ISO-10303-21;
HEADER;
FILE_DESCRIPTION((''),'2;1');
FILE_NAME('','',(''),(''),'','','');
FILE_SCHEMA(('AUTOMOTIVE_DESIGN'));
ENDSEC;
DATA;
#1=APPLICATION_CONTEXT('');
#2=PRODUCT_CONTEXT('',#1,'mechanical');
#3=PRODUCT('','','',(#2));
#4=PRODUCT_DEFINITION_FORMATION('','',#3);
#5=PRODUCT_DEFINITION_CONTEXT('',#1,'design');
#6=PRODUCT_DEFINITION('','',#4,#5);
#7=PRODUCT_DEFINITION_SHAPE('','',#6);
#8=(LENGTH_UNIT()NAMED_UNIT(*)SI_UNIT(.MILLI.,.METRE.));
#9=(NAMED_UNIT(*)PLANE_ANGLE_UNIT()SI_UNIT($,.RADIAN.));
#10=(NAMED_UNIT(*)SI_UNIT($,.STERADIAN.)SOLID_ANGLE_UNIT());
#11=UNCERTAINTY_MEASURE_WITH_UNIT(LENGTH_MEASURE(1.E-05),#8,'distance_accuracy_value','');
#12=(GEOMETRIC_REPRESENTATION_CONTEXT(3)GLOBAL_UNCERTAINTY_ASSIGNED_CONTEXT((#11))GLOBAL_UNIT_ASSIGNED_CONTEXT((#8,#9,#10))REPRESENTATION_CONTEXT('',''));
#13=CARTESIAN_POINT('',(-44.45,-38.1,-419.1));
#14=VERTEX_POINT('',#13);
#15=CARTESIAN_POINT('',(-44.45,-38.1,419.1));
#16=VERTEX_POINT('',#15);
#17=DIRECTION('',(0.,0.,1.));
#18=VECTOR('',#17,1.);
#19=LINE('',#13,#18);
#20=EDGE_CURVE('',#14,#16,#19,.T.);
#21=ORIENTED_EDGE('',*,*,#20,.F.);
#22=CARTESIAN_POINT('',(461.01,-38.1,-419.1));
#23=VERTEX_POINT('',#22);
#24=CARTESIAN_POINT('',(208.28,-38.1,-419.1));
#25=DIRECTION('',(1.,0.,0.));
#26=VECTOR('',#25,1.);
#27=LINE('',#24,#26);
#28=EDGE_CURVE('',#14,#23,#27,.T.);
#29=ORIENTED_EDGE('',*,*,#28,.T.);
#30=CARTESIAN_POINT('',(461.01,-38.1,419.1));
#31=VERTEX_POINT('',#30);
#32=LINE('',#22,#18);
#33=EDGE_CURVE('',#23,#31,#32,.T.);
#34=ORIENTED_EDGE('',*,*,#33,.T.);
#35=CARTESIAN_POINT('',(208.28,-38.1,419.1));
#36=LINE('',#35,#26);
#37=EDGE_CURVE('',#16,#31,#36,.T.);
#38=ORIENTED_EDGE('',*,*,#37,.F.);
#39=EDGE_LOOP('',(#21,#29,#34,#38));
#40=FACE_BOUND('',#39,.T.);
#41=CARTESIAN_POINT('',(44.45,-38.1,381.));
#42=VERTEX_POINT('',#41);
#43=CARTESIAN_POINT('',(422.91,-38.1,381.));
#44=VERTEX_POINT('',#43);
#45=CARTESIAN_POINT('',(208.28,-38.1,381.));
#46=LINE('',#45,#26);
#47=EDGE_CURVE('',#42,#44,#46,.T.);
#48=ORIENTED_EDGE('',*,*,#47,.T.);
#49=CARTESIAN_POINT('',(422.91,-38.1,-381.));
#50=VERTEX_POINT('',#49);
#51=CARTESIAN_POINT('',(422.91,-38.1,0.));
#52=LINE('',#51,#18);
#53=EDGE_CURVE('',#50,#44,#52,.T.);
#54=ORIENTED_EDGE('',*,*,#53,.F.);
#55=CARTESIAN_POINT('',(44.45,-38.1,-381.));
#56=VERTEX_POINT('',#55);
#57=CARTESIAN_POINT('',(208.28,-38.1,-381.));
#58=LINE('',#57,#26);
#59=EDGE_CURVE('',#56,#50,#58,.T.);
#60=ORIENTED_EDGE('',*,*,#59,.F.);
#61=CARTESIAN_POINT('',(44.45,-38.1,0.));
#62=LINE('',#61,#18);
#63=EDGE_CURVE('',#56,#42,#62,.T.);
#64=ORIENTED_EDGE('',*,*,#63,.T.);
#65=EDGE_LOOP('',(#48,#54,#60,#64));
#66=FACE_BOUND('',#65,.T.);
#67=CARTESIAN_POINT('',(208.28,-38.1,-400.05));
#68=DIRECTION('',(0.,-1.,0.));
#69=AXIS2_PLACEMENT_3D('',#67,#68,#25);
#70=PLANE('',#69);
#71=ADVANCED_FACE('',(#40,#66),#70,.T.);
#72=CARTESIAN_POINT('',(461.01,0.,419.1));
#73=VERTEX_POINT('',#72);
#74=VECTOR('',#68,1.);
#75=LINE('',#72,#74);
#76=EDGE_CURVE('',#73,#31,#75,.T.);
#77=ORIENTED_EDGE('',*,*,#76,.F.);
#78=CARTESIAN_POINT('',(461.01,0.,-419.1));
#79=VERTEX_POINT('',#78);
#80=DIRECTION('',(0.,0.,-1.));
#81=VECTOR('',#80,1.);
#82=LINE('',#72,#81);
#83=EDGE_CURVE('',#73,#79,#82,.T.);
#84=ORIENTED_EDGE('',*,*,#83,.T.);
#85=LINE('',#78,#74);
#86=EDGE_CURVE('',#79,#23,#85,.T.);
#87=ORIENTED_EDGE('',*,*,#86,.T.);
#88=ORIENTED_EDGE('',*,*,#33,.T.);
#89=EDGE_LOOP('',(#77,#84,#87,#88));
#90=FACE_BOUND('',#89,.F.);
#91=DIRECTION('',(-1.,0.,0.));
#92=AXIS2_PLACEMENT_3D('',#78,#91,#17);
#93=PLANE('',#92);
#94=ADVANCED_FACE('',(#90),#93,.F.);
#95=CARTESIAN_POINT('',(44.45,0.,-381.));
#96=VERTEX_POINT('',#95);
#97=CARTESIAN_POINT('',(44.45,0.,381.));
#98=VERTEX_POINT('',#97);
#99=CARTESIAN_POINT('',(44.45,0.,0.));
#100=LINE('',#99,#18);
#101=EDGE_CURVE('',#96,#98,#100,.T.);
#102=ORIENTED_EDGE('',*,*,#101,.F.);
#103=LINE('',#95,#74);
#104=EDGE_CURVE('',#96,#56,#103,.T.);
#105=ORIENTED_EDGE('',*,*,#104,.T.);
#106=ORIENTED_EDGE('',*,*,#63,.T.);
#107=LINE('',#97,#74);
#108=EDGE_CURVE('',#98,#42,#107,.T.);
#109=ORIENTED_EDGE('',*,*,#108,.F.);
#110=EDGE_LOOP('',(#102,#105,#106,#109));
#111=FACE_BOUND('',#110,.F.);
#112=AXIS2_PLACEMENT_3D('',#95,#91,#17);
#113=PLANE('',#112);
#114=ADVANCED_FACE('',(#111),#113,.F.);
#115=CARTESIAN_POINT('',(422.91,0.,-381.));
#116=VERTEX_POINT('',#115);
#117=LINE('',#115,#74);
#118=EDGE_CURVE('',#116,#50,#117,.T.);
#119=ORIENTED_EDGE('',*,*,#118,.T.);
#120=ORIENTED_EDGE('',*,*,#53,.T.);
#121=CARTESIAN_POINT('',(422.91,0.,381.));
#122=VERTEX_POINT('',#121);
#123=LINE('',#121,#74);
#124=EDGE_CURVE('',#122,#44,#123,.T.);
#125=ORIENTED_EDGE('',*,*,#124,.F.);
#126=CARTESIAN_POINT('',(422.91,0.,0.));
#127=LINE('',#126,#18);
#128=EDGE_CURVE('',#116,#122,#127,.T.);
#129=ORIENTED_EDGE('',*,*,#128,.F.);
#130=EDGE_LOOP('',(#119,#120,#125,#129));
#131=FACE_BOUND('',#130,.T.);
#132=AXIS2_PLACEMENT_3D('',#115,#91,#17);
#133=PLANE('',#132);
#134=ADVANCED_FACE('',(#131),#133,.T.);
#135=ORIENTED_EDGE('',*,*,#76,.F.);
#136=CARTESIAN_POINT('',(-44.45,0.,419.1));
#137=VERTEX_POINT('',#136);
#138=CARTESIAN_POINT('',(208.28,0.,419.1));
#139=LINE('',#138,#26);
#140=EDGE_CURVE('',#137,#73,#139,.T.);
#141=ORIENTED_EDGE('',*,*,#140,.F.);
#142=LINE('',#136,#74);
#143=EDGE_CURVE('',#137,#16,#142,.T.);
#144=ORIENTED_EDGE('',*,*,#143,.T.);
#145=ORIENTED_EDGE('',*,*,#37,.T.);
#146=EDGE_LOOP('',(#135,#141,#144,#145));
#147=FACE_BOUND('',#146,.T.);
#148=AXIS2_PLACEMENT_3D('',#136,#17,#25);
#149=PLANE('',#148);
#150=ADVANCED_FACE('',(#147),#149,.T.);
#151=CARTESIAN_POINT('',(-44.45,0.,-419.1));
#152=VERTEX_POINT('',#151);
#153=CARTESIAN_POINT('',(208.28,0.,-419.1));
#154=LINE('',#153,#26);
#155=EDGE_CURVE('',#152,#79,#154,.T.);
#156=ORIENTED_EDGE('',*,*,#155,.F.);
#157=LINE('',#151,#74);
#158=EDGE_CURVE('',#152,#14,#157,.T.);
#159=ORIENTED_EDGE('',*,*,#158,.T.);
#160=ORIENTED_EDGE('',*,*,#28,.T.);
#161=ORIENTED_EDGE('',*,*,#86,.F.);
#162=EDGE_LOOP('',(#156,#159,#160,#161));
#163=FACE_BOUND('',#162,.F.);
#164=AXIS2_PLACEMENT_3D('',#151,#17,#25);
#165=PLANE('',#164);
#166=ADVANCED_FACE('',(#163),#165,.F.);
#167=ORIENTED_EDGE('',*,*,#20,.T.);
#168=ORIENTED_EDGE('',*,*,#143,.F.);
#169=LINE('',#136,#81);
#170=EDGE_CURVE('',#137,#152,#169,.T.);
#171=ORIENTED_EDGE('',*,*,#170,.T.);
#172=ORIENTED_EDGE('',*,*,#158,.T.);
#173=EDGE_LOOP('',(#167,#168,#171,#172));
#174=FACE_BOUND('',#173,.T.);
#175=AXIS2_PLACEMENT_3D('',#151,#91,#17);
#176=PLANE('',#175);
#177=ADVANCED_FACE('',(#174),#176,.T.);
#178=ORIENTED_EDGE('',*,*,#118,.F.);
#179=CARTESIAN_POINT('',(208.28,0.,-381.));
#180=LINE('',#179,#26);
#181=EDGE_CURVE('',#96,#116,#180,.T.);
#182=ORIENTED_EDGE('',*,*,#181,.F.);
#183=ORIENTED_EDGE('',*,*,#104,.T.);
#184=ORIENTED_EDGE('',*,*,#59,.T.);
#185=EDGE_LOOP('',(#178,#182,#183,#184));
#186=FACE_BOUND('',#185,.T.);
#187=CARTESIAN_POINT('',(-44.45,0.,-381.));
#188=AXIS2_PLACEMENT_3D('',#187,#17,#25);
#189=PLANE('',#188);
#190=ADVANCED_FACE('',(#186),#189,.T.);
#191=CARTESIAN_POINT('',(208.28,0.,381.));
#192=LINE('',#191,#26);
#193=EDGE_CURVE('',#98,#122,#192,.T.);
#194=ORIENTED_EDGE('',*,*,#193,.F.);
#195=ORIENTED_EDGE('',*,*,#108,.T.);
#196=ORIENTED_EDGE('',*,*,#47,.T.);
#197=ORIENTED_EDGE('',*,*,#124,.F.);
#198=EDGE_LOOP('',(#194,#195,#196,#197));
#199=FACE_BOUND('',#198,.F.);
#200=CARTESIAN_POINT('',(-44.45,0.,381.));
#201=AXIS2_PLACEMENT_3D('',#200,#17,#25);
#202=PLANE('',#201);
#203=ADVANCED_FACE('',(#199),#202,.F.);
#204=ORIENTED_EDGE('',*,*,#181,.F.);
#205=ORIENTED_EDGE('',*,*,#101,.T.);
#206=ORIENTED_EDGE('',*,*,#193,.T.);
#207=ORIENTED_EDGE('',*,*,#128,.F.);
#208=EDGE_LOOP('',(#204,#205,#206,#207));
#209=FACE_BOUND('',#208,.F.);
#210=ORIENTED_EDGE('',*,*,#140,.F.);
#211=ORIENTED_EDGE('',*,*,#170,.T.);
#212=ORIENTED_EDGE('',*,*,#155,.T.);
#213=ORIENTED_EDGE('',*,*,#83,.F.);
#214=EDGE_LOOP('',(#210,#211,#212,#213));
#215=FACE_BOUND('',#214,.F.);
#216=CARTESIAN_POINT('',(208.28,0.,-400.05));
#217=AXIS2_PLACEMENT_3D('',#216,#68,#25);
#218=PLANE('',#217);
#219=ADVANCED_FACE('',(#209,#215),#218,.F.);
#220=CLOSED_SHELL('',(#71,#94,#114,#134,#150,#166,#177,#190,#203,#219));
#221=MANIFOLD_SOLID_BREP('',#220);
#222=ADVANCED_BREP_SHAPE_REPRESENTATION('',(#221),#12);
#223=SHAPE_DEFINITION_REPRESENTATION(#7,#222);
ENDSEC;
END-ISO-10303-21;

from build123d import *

# Parameters (mm, degrees)
F0_W     = 88.9
F0_H     = 762
F1_DEPTH = 38.1
F2_W     = 505.46
F2_H     = 38.1
F3_DEPTH = 38.1
F4_W     = 38.1
F4_H     = 762
F5_DEPTH = 38.1
F6_W     = 505.46
F6_H     = 38.1
F7_DEPTH = 38.1


with BuildPart() as f1:
    # F0 (on Front) → F1 (new body)
    with BuildSketch(Plane.XZ):
        Rectangle(F0_W, F0_H)
    extrude(amount=F1_DEPTH)

    # F2 (on Front) → F3 (join)
    with BuildSketch(Plane.XZ):
        with Locations((208.28, 400.05)):
            Rectangle(F2_W, F2_H)
    extrude(amount=F3_DEPTH)

    # F4 (on Front) → F5 (join)
    with BuildSketch(Plane.XZ):
        with Locations((441.96, 0)):
            Rectangle(F4_W, F4_H)
    extrude(amount=F5_DEPTH)

    # F6 (on Front) → F7 (join)
    with BuildSketch(Plane.XZ):
        with Locations((208.28, -400.05)):
            Rectangle(F6_W, F6_H)
    extrude(amount=F7_DEPTH)


solid = f1.part
